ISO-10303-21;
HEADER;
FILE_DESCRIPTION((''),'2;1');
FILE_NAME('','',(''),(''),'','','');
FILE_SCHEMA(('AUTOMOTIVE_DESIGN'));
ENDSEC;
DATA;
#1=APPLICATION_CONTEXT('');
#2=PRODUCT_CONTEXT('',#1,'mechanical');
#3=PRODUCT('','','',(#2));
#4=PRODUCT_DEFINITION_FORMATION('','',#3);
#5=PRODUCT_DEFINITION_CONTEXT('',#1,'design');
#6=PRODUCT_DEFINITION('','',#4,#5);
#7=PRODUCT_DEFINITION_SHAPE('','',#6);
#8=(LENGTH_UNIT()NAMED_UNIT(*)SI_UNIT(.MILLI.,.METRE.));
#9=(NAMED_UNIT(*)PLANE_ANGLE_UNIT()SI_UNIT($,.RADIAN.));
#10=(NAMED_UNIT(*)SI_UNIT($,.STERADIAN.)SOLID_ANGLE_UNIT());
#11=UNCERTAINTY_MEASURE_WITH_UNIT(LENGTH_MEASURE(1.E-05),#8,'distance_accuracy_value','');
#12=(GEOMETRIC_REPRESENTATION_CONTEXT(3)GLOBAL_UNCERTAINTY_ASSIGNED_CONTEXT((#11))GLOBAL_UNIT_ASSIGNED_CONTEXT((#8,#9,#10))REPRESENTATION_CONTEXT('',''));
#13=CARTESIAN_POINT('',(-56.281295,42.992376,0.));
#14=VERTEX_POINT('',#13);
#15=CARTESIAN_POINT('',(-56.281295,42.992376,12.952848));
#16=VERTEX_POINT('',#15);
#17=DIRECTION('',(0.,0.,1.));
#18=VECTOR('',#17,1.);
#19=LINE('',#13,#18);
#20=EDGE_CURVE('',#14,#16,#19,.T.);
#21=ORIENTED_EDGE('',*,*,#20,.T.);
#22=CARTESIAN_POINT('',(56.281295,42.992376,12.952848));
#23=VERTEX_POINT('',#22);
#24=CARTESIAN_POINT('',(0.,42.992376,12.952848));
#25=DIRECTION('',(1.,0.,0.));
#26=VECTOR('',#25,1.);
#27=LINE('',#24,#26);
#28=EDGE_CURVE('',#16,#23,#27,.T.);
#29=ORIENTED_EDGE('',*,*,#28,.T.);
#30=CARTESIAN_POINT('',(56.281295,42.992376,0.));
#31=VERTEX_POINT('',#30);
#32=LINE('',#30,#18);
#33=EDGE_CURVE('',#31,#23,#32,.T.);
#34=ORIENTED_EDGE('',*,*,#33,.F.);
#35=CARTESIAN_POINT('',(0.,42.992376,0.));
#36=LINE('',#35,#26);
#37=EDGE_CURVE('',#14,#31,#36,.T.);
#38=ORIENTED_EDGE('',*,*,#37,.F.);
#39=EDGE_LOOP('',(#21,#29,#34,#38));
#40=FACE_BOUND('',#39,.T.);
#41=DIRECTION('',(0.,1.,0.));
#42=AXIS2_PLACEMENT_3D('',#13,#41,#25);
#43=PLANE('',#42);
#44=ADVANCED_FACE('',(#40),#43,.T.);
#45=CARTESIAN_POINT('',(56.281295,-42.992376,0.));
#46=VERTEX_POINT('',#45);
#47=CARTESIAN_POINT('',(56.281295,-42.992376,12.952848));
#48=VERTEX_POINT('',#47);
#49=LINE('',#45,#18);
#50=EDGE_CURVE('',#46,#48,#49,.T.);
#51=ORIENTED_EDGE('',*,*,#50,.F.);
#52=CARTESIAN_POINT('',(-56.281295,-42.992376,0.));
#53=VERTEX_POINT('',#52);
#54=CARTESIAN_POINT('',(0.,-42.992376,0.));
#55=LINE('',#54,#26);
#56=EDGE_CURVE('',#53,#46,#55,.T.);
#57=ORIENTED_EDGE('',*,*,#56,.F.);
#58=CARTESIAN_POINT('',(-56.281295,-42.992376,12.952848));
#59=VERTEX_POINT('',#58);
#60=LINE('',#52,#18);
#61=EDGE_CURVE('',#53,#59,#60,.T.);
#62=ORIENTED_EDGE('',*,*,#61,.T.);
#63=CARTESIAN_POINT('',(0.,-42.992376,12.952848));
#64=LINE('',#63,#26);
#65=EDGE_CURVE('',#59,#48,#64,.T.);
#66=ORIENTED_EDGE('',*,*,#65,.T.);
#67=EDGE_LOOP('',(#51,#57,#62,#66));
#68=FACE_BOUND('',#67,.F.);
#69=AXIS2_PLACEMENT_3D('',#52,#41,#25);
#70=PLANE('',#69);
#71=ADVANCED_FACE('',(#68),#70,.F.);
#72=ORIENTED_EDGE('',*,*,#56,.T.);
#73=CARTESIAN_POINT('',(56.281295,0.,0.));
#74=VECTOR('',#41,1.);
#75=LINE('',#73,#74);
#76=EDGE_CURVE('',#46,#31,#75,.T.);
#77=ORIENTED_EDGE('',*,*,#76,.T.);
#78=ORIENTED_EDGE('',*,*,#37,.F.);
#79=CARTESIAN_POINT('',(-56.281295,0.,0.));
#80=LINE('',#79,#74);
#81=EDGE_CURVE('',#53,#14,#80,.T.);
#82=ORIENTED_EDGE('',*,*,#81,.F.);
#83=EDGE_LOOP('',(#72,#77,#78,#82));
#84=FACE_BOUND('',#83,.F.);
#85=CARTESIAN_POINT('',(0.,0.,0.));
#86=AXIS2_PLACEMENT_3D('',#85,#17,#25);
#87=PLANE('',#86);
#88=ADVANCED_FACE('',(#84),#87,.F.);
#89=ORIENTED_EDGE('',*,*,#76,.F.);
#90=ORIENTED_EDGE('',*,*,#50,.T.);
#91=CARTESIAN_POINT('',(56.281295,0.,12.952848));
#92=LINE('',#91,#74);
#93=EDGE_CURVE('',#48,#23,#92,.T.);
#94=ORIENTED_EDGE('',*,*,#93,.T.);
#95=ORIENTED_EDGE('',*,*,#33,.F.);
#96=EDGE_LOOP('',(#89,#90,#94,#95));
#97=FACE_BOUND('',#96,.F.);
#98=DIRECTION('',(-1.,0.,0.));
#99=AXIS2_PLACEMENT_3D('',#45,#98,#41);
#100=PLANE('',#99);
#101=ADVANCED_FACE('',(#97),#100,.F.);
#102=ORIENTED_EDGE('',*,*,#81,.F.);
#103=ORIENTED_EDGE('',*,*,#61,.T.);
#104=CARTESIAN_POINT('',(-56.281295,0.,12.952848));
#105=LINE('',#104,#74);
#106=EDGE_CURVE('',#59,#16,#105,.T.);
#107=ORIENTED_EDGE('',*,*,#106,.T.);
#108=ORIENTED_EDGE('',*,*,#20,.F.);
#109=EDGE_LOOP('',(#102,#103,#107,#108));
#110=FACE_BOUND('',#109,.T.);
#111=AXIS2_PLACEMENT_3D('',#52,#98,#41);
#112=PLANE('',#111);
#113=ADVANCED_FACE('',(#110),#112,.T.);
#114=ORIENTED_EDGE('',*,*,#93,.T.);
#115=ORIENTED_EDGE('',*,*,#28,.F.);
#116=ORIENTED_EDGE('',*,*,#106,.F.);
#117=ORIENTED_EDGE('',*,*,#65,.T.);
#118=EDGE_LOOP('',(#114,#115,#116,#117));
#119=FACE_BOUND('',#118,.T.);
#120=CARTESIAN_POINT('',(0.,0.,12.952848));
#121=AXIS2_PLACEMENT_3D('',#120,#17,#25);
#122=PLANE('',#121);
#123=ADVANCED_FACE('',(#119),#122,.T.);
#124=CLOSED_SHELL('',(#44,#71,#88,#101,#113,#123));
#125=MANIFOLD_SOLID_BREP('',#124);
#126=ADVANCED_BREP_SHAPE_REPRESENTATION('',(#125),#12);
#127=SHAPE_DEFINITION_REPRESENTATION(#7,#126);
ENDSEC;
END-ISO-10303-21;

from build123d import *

# Parameters (mm, degrees)
F0_W     = 112.5625893474
F0_H     = 85.9847515821
F1_DEPTH = 25
F2_R     = 5
F3_DEPTH = 10
F4_R     = 4.0842384209
F5_DEPTH = 8.1610530615
F2_W     = 112.5625893474
F2_H     = 85.9847515821
F6_DEPTH = 12.0471520349


with BuildPart() as f1:
    # F0 (on Top) → F1 (new body)
    with BuildSketch(Plane.XY):
        Rectangle(F0_W, F0_H)
    extrude(amount=F1_DEPTH)

    # F2 (on face) → F3 (cut)
    with BuildSketch(Plane.XY.offset(25)):
        with Locations((37.7486944199, -25.8610993624)):
            Circle(F2_R)
    extrude(amount=-F3_DEPTH, mode=Mode.SUBTRACT)

    # F4 (on face) → F5 (join)
    with BuildSketch(Plane.XY.offset(15)):
        with Locations((37.7486944199, -25.8610993624)):
            Circle(F4_R)
    extrude(amount=F5_DEPTH)

    # F2 (on face) → F6 (cut)
    with BuildSketch(Plane.XY.offset(25)):
        Rectangle(F2_W, F2_H)
        with Locations((37.7486944199, -25.8610993624)):
            Circle(F2_R, mode=Mode.SUBTRACT)
        with Locations((37.7486944199, -25.8610993624)):
            Circle(F2_R)
    extrude(amount=-F6_DEPTH, mode=Mode.SUBTRACT)


solid = f1.part
